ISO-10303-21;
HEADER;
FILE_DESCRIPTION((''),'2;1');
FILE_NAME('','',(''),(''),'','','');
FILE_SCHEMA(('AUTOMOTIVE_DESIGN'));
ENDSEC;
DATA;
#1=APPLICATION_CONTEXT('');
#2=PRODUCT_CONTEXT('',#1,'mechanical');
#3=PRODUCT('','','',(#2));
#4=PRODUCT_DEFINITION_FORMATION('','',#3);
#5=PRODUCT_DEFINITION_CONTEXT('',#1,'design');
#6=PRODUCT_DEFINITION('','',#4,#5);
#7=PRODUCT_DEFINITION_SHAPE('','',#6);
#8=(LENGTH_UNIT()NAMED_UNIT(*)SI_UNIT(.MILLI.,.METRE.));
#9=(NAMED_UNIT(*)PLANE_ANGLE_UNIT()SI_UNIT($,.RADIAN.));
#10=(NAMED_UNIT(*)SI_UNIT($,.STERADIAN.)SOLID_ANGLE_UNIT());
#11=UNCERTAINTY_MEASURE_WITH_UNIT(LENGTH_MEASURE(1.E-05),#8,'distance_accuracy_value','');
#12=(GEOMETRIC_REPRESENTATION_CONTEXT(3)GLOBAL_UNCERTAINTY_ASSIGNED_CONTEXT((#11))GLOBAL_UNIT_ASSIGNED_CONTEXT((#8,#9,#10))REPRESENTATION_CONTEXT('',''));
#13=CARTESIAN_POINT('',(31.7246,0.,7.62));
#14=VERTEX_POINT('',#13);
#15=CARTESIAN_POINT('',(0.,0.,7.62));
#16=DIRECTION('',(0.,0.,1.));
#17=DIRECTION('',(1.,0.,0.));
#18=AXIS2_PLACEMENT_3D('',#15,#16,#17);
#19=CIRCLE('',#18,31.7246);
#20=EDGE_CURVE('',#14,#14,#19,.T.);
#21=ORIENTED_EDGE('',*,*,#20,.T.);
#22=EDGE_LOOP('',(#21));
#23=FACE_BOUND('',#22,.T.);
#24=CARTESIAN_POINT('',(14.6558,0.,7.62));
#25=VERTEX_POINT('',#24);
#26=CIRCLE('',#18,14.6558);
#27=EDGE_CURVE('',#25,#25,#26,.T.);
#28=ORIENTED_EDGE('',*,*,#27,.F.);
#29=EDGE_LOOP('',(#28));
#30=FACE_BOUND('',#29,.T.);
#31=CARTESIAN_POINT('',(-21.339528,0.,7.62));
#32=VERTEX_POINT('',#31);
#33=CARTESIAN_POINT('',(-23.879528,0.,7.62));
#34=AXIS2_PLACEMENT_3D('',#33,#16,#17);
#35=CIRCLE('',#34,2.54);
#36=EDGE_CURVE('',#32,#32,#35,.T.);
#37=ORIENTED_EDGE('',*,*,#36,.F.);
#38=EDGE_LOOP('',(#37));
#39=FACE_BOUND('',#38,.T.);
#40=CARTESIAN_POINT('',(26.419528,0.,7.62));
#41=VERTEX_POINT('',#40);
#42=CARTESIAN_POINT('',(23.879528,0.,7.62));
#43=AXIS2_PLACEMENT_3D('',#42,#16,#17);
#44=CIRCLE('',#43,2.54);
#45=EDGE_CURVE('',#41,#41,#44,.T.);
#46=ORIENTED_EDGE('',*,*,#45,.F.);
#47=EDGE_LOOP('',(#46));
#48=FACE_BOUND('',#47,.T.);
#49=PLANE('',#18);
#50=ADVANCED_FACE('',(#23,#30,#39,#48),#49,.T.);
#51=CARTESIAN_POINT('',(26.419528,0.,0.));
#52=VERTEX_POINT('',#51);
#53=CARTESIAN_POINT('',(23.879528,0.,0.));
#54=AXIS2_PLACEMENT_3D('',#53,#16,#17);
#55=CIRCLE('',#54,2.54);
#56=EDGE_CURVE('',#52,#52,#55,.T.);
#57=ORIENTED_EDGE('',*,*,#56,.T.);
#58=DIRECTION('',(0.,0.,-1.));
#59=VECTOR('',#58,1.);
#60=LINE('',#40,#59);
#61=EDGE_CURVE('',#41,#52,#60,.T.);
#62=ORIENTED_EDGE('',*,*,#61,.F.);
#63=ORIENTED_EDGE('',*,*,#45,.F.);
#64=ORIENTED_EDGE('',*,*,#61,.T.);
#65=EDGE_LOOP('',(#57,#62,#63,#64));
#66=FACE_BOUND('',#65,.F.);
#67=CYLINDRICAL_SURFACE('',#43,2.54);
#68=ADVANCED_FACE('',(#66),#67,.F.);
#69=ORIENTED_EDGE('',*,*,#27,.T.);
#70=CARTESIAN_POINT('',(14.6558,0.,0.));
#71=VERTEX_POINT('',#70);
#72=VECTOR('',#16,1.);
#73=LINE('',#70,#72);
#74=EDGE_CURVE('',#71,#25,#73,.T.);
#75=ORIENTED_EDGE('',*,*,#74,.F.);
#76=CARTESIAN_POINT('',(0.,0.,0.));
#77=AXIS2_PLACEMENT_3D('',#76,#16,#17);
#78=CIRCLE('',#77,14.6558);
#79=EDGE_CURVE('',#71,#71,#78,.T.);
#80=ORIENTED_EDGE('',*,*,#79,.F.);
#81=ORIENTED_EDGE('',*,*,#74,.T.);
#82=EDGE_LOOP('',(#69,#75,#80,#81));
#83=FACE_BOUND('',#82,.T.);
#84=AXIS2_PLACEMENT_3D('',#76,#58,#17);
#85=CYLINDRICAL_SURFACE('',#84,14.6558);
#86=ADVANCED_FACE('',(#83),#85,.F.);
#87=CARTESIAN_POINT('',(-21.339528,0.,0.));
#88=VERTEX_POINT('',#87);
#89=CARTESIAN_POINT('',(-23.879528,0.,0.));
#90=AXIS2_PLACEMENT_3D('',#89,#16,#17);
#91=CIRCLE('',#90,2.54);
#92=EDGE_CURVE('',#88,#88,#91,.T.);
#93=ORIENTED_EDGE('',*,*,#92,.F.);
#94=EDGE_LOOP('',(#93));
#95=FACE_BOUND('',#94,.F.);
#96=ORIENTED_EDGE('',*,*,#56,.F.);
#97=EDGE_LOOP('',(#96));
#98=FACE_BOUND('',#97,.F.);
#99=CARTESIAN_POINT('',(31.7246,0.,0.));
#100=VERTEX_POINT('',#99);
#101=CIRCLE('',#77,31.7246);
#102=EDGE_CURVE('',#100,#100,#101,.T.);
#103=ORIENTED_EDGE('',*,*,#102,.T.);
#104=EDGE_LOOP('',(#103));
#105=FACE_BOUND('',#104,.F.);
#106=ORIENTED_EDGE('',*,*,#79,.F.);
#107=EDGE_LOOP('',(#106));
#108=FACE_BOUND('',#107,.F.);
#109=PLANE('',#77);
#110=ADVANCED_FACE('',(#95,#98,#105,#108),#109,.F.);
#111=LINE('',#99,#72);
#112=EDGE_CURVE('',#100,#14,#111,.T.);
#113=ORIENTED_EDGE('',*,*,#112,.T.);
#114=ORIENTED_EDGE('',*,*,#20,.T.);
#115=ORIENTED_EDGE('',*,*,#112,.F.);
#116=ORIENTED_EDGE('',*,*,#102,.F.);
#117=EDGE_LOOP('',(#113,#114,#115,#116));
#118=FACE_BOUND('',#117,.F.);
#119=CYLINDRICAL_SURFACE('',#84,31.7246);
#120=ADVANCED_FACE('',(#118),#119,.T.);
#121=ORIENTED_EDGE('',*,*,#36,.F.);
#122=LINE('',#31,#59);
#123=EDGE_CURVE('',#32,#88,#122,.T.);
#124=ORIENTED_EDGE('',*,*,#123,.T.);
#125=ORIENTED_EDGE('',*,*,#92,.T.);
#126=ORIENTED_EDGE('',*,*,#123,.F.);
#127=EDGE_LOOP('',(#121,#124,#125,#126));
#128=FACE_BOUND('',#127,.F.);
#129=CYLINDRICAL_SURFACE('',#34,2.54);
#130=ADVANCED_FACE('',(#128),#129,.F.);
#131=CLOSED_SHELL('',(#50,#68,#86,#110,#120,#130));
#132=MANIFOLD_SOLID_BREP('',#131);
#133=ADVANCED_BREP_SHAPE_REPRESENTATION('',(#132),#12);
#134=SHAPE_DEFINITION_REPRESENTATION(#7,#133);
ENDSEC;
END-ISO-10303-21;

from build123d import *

# Parameters (mm, degrees)
F0_R     = 31.7246
F0_R_2   = 14.6558
F1_DEPTH = 7.62
F2_R     = 2.54
F3_DEPTH = 12.7


with BuildPart() as f1:
    # F0 (on Top) → F1 (new body)
    with BuildSketch(Plane.XY):
        Circle(F0_R)
        Circle(F0_R_2, mode=Mode.SUBTRACT)
    extrude(amount=F1_DEPTH)

    # F2 (on face) → F3 (cut)
    with BuildSketch(Plane.XY.offset(7.62)):
        with Locations((-23.879528, 0)):
            Circle(F2_R)
        with Locations((23.879528, 0)):
            Circle(F2_R)
    extrude(amount=-F3_DEPTH, mode=Mode.SUBTRACT)


solid = f1.part
